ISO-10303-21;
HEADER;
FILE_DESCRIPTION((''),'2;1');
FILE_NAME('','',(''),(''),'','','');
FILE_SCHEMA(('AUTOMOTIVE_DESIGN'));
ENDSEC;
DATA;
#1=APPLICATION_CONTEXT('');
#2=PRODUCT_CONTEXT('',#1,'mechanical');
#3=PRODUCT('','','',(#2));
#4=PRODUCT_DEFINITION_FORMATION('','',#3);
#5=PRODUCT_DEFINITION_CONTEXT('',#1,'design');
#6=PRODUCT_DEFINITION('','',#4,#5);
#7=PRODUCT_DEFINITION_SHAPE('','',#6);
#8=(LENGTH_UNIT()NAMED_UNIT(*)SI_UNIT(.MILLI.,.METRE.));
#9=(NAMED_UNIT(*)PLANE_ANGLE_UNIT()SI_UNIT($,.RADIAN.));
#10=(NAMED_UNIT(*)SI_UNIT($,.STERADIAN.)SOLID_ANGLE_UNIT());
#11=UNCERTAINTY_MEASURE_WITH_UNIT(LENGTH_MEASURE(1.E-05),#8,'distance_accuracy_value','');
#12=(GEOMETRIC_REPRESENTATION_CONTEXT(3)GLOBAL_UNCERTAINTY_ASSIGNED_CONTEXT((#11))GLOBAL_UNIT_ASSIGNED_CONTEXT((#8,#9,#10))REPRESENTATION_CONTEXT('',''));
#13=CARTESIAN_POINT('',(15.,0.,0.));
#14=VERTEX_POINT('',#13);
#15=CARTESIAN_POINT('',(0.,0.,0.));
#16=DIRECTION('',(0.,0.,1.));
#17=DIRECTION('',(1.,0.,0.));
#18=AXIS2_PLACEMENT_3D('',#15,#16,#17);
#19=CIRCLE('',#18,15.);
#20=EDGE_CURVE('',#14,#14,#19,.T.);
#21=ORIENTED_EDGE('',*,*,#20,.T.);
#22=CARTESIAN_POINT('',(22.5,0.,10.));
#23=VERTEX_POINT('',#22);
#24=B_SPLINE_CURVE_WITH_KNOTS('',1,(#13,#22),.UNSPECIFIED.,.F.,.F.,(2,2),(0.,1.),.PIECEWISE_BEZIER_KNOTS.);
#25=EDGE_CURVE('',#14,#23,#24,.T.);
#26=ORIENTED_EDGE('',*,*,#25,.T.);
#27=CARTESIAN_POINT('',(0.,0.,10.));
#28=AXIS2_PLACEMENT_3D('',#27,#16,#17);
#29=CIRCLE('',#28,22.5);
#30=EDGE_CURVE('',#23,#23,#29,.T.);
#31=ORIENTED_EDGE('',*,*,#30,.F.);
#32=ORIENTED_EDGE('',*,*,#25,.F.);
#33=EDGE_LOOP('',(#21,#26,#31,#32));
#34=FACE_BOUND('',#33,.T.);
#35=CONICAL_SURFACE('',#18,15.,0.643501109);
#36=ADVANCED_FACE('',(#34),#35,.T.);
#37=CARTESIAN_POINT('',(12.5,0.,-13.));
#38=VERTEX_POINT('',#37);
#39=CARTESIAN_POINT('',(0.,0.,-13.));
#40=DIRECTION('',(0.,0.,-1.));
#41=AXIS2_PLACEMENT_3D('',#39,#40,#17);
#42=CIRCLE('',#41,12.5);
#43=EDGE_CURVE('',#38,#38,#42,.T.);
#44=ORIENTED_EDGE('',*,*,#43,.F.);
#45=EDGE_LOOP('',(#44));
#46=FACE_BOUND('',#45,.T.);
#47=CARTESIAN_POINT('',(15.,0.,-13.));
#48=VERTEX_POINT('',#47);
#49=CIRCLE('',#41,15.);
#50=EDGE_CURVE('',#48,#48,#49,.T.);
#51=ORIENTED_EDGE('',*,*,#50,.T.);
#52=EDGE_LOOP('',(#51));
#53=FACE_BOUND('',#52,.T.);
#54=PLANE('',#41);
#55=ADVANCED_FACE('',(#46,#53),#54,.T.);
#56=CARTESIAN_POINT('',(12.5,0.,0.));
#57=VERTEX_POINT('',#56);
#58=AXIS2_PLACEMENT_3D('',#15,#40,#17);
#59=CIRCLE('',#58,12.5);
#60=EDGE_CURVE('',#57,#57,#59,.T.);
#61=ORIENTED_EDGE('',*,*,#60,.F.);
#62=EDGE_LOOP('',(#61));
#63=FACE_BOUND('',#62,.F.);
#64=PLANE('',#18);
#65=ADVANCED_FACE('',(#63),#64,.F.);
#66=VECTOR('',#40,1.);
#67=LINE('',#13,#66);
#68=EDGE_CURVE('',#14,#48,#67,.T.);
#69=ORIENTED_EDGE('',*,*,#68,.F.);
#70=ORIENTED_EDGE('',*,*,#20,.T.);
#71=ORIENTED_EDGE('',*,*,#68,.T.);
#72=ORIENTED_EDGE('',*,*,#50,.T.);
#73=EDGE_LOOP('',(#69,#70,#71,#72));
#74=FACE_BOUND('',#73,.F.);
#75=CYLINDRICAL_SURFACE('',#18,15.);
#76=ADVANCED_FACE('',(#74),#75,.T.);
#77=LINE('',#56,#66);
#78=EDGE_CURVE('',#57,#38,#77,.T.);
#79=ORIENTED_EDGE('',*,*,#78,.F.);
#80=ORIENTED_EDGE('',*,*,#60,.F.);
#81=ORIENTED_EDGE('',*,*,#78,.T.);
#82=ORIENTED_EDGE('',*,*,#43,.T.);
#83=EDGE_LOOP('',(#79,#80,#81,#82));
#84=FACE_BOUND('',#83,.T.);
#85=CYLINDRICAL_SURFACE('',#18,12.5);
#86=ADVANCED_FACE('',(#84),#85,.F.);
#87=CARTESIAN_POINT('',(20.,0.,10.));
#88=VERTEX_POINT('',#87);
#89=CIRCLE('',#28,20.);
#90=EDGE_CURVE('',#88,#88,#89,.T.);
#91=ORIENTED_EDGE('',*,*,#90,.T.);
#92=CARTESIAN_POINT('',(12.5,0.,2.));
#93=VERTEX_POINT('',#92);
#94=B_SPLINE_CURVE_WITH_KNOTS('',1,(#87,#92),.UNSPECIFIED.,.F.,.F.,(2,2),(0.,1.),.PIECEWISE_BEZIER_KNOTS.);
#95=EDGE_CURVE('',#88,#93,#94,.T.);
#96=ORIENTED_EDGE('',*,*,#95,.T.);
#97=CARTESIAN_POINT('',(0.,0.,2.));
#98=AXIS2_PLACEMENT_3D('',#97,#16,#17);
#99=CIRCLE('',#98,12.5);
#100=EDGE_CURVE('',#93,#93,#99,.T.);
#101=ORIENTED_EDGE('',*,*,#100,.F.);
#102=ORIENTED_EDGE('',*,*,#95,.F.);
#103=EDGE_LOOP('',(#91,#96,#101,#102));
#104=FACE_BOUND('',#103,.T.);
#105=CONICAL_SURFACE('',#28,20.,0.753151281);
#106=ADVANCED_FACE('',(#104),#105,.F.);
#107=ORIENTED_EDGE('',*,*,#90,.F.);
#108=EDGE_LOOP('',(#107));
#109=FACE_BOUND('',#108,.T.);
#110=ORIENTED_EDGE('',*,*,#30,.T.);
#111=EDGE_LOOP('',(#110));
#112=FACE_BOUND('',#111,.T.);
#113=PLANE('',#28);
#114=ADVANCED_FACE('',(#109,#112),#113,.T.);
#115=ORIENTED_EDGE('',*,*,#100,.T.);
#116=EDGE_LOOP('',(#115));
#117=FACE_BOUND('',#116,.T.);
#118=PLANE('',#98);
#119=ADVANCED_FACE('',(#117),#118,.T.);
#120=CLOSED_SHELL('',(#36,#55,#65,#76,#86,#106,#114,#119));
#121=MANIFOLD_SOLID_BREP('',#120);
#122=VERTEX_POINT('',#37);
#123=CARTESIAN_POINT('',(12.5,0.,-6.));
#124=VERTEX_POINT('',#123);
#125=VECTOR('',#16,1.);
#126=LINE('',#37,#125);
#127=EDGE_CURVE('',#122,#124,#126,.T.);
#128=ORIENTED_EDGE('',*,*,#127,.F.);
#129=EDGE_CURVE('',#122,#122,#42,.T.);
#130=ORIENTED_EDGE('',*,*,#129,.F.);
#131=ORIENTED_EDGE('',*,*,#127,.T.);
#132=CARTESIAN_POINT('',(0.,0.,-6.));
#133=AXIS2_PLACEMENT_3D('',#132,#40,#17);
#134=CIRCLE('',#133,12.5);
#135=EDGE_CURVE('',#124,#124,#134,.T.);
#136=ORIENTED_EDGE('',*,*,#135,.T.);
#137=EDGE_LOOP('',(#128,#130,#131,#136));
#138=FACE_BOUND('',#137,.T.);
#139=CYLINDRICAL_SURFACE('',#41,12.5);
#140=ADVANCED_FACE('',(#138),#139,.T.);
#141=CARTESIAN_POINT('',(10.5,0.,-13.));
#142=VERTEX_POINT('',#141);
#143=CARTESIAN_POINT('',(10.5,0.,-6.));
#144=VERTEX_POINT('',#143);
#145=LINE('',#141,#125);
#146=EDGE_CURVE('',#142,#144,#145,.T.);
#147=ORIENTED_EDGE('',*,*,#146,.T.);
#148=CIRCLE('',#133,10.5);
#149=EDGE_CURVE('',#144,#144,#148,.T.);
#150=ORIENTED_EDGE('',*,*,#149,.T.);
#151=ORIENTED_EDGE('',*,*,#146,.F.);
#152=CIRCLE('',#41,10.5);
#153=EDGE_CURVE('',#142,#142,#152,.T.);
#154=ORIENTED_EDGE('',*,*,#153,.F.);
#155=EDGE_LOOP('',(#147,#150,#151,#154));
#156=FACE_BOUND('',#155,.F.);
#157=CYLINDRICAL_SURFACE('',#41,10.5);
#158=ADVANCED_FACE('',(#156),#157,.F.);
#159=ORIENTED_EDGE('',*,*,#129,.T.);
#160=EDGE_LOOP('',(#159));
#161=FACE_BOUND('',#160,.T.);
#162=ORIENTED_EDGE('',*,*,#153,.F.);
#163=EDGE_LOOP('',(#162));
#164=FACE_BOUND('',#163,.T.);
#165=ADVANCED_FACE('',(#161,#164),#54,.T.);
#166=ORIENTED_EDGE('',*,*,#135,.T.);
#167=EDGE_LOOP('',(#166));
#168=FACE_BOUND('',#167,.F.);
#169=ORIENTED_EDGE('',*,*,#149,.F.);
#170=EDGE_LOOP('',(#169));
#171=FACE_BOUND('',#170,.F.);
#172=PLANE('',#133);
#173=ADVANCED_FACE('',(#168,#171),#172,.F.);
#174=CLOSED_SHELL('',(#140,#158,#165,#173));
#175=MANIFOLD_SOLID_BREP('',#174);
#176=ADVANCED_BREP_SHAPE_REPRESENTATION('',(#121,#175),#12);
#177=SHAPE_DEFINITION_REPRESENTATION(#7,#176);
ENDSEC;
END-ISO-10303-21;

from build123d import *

# Parameters (mm, degrees)
F0_R      = 15
F2_R      = 22.5
F4_R      = 20
F6_R      = 12.5
F8_R      = 15
F8_R_2    = 12.5
F9_DEPTH  = 13
F10_R     = 12.5
F10_R_2   = 10.5
F11_DEPTH = 7


with BuildPart() as f3:
    # F0 (on Top) → F3 section 0
    with BuildSketch(Plane.XY):
        Circle(F0_R)
    # F2 (on offset) → F3 section 1
    with BuildSketch(Plane.XY.offset(10)):
        Circle(F2_R)
    loft()

    # F4 (on face) → F7 section 0
    with BuildSketch(Plane.XY.offset(10)):
        Circle(F4_R)
    # F6 (on offset) → F7 section 1
    with BuildSketch(Plane.XY.offset(2)):
        Circle(F6_R)
    loft(mode=Mode.SUBTRACT)

    # F8 (on face) → F9 (join)
    with BuildSketch(Plane(origin=(0, 0, 0), x_dir=(1, 0, 0), z_dir=(0, 0, -1))):
        Circle(F8_R)
        Circle(F8_R_2, mode=Mode.SUBTRACT)
    extrude(amount=F9_DEPTH)


with BuildPart() as f11:
    # F10 (on face) → F11 (new body)
    with BuildSketch(Plane(origin=(0, 0, -13), x_dir=(1, 0, 0), z_dir=(0, 0, -1))):
        Circle(F10_R)
        Circle(F10_R_2, mode=Mode.SUBTRACT)
    extrude(amount=-F11_DEPTH)


solid = Compound([f3.part, f11.part])
